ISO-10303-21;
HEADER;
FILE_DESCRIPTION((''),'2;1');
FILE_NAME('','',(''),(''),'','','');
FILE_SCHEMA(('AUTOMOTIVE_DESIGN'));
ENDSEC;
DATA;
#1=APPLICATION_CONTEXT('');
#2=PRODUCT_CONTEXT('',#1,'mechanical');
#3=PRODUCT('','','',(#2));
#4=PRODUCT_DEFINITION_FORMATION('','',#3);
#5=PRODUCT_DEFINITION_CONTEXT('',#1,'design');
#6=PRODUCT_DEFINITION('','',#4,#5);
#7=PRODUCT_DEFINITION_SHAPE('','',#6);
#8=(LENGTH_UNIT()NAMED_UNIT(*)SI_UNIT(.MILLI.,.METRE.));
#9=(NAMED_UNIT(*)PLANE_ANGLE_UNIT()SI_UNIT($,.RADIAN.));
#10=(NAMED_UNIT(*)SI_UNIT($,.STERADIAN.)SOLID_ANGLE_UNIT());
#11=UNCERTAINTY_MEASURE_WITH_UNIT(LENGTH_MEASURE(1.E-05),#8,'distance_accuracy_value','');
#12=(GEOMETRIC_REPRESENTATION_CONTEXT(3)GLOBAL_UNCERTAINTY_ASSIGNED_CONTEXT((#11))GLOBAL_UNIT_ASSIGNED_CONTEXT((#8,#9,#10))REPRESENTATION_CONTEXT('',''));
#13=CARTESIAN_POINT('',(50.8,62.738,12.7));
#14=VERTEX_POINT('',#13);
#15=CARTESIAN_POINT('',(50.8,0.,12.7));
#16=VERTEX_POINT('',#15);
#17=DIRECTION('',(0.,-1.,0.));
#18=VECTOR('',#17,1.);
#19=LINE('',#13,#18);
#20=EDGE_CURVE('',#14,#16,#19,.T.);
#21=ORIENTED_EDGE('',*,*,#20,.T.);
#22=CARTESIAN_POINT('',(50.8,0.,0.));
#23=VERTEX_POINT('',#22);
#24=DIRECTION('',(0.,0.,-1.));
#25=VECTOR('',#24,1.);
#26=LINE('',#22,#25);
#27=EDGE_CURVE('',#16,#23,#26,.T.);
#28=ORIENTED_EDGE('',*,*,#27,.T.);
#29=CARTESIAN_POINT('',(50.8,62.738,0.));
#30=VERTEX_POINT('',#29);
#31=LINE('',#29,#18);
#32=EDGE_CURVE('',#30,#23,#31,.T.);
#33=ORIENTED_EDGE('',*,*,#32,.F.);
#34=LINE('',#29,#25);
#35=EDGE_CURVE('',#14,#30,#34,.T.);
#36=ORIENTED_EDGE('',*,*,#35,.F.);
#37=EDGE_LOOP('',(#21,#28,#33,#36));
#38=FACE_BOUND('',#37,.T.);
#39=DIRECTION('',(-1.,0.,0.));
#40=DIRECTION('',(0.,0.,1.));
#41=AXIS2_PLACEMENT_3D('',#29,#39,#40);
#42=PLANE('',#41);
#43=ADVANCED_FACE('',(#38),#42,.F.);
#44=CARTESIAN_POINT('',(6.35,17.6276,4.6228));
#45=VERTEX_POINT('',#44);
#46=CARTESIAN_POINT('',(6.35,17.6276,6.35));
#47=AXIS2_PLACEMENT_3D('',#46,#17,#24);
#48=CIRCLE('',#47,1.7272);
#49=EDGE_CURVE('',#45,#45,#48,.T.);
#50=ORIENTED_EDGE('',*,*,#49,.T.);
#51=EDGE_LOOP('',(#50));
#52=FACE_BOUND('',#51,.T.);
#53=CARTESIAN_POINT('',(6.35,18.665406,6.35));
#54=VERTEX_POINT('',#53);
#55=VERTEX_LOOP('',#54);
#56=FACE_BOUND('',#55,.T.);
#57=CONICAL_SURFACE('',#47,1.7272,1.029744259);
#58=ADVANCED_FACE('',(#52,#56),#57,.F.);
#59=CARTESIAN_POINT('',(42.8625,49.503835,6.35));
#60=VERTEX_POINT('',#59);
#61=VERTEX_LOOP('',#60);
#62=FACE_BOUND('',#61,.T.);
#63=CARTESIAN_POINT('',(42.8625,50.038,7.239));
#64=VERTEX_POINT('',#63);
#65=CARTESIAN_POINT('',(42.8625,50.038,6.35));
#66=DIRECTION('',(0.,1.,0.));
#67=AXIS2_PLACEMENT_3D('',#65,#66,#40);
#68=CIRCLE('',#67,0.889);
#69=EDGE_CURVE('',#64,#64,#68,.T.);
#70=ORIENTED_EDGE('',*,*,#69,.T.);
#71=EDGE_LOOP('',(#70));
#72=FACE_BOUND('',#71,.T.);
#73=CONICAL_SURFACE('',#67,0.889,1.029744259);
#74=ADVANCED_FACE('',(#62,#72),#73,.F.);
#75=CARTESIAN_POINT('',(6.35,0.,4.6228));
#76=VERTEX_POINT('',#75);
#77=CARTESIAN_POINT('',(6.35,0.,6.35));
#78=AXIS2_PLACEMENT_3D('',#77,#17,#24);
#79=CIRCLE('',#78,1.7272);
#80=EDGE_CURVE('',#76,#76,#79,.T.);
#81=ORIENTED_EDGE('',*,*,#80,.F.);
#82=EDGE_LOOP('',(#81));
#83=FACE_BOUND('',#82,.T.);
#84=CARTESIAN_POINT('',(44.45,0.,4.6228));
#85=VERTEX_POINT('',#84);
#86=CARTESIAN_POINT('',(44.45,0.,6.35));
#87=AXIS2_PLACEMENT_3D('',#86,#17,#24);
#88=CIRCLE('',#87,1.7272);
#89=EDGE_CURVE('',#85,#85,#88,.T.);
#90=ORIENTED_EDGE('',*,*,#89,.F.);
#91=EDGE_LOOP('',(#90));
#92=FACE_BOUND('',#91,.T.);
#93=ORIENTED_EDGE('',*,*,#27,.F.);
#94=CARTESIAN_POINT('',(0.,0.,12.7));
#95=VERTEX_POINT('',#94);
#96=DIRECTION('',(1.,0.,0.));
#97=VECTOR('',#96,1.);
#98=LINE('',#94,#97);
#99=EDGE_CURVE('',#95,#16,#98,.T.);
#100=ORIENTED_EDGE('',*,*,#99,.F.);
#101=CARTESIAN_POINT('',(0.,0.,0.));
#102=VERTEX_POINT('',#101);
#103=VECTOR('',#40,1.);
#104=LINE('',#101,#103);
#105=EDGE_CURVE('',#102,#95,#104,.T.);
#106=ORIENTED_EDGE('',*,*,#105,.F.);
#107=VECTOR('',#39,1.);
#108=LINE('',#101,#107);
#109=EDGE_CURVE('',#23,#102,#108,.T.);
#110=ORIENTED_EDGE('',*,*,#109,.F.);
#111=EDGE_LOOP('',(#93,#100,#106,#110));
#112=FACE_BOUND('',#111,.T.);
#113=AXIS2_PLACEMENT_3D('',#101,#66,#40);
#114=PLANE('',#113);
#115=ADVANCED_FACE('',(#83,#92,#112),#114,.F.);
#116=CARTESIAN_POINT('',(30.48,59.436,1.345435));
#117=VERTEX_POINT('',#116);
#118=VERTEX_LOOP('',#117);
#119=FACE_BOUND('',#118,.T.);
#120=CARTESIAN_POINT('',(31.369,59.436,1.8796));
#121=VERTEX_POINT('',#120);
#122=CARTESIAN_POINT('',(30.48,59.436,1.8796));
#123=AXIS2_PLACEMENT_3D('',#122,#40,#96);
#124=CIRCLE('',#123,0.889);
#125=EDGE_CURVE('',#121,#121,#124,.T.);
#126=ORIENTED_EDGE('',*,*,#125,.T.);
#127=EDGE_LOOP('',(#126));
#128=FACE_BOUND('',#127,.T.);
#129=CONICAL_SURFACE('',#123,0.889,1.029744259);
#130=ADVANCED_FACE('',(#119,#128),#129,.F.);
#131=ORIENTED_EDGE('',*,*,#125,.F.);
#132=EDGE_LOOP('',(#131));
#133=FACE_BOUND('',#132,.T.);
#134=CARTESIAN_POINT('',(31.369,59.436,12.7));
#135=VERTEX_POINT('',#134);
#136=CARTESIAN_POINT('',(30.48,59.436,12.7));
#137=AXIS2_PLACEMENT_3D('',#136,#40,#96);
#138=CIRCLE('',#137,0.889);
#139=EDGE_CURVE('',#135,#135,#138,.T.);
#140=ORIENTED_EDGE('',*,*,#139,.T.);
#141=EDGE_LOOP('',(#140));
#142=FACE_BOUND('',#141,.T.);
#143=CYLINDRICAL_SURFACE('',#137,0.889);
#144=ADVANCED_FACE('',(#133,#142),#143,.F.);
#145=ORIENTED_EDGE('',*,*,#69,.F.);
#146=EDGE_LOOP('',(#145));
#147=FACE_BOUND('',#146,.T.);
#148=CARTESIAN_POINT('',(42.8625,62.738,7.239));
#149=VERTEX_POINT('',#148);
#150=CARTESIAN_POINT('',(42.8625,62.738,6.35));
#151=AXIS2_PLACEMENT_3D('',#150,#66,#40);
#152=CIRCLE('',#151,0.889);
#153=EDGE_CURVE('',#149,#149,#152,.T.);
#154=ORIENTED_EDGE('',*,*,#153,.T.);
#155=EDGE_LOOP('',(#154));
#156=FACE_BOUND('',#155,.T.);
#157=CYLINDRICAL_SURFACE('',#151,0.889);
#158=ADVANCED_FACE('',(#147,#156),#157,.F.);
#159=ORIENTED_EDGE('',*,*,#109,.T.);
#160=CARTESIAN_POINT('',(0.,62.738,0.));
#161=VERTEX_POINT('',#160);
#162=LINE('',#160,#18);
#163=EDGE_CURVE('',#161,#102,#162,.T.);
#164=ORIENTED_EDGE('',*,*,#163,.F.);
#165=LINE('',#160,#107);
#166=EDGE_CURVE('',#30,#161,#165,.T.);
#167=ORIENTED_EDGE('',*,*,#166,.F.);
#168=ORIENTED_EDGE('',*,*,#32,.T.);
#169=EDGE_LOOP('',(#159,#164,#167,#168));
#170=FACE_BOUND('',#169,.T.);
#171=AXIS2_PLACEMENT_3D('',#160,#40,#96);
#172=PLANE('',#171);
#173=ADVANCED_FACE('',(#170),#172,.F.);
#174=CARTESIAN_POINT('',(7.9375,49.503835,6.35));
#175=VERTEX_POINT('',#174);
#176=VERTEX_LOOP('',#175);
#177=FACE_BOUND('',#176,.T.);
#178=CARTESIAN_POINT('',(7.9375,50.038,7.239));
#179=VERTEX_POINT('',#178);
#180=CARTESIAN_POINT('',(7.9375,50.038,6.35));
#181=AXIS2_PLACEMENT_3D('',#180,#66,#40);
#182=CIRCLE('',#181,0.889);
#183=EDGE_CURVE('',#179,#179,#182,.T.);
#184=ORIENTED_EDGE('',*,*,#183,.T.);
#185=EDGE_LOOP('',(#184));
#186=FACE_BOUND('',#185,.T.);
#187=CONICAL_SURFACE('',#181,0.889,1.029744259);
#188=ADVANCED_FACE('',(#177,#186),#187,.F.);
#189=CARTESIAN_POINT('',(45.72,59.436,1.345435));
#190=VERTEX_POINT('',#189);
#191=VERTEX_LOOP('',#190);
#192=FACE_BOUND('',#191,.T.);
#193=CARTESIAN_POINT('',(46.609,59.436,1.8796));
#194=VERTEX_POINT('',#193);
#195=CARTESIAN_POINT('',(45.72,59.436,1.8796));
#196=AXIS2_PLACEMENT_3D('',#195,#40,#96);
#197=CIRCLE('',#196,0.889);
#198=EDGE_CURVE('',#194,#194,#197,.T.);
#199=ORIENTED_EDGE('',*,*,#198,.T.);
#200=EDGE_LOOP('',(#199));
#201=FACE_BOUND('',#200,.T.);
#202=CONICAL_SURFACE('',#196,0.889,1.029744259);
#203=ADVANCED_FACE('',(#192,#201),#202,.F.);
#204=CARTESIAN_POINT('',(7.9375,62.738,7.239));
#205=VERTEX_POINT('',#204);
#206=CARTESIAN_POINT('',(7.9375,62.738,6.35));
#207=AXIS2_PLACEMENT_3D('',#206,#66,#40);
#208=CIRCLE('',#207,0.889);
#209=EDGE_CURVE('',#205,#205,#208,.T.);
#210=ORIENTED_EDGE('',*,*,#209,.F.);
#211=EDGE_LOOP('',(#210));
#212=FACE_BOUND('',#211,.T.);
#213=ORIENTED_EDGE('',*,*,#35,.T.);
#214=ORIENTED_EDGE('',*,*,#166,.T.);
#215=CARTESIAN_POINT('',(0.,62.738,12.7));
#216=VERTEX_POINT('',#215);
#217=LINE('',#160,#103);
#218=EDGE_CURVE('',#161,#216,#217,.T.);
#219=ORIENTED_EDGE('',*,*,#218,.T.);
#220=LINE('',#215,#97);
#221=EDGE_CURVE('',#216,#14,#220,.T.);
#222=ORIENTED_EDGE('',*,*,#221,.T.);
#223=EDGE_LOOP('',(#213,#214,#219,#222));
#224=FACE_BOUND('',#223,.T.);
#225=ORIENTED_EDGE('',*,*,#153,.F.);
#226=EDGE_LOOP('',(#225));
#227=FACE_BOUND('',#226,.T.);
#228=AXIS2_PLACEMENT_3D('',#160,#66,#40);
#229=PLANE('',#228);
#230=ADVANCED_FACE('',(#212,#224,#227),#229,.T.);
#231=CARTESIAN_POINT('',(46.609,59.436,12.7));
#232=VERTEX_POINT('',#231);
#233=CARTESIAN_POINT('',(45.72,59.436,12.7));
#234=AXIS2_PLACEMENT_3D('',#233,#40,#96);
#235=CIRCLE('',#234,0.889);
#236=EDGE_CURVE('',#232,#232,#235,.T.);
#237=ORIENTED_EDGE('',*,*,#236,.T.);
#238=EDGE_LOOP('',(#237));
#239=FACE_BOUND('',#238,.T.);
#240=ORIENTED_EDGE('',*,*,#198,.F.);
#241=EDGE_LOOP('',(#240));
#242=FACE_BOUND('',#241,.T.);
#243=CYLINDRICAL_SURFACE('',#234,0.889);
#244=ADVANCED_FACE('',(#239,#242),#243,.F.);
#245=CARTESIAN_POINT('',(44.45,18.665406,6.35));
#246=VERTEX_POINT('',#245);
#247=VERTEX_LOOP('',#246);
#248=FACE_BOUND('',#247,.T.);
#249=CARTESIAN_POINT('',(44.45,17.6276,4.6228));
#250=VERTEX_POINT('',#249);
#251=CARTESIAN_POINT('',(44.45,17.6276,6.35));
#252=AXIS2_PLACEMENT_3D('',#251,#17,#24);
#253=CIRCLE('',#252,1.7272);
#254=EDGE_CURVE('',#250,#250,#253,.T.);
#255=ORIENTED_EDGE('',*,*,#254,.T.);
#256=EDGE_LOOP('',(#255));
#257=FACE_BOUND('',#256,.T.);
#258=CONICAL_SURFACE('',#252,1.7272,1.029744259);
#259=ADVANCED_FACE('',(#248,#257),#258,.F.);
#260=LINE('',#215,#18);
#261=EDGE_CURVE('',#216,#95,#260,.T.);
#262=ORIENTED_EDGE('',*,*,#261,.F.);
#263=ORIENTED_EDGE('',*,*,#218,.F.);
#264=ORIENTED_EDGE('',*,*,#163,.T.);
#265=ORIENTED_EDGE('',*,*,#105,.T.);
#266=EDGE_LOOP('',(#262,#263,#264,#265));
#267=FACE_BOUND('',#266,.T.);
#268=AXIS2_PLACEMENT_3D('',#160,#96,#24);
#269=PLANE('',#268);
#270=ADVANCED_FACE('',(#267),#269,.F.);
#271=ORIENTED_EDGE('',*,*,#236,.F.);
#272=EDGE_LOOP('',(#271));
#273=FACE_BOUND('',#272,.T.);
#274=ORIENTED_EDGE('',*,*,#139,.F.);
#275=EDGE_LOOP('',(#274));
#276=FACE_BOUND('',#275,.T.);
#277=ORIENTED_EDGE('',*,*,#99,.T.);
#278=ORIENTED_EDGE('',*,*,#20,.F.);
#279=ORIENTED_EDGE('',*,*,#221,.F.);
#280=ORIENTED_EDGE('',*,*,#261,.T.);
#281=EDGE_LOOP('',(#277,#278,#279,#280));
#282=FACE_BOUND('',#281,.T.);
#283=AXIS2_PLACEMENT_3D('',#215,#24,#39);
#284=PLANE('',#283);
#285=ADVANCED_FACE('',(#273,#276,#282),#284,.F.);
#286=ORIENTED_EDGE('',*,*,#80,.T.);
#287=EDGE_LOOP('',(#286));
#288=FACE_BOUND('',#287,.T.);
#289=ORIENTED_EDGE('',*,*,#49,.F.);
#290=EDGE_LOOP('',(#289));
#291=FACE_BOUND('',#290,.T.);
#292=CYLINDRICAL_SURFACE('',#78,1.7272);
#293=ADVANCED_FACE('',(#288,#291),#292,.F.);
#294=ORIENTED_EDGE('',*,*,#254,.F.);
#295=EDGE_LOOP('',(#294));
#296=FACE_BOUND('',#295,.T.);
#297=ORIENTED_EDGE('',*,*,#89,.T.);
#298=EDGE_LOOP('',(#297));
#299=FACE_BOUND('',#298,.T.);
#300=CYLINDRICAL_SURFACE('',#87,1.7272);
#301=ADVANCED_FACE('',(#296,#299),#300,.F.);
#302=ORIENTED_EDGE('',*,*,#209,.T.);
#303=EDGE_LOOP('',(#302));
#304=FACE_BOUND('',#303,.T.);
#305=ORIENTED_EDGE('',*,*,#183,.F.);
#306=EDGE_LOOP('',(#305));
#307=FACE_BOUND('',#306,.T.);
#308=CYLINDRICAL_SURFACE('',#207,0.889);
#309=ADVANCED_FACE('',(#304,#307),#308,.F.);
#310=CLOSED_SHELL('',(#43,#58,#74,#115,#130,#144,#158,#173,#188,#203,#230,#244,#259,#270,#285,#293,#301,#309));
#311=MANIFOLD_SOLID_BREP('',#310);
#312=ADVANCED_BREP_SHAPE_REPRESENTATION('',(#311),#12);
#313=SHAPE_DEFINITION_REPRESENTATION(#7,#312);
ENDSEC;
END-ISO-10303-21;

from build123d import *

# Parameters (mm, degrees)
SKETCH1_W                 = 50.8
SKETCH1_H                 = 12.7
BOSS_EXTRUDE1_DEPTH       = 62.738
F_8_32_TAPPED_HOLE1_D     = 3.4544
F_8_32_TAPPED_HOLE1_DEPTH = 17.6276
F_8_32_TAPPED_HOLE1_TIP   = 1.037806461
F_2_56_TAPPED_HOLE1_D     = 1.778
F_2_56_TAPPED_HOLE1_DEPTH = 12.7
F_2_56_TAPPED_HOLE1_TIP   = 0.53416509
F_2_56_TAPPED_HOLE2_D     = 1.778
F_2_56_TAPPED_HOLE2_DEPTH = 10.8204
F_2_56_TAPPED_HOLE2_TIP   = 0.53416509


with BuildPart() as part:
    # Sketch1 → Boss-Extrude1 (new body)
    with BuildSketch(Plane(origin=(0, 0, 0), x_dir=(1, 0, 0), z_dir=(0, 1, 0))):
        with Locations((25.4, -6.35)):
            Rectangle(SKETCH1_W, SKETCH1_H)
    extrude(amount=BOSS_EXTRUDE1_DEPTH)

    # #8-32 Tapped Hole1
    with Locations(Plane(origin=(0, 0, 0), x_dir=(-1, 0, 0), z_dir=(0, -1, 0))):
        with Locations((-6.35, -6.35), (-44.45, -6.35)):
            Hole(F_8_32_TAPPED_HOLE1_D / 2, depth=F_8_32_TAPPED_HOLE1_DEPTH)
            with Locations((0, 0, -(F_8_32_TAPPED_HOLE1_DEPTH + F_8_32_TAPPED_HOLE1_TIP / 2))):  # 118° drill point
                Cone(0, F_8_32_TAPPED_HOLE1_D / 2, F_8_32_TAPPED_HOLE1_TIP, mode=Mode.SUBTRACT)

    # #2-56 Tapped Hole1
    with Locations(Plane(origin=(0, 62.738, 0), x_dir=(1, 0, 0), z_dir=(0, 1, 0))):
        with Locations((7.9375, -6.35), (42.8625, -6.35)):
            Hole(F_2_56_TAPPED_HOLE1_D / 2, depth=F_2_56_TAPPED_HOLE1_DEPTH)
            with Locations((0, 0, -(F_2_56_TAPPED_HOLE1_DEPTH + F_2_56_TAPPED_HOLE1_TIP / 2))):  # 118° drill point
                Cone(0, F_2_56_TAPPED_HOLE1_D / 2, F_2_56_TAPPED_HOLE1_TIP, mode=Mode.SUBTRACT)

    # #2-56 Tapped Hole2
    with Locations(Plane.XY.offset(12.7)):
        with Locations((30.48, 59.436), (45.72, 59.436)):
            Hole(F_2_56_TAPPED_HOLE2_D / 2, depth=F_2_56_TAPPED_HOLE2_DEPTH)
            with Locations((0, 0, -(F_2_56_TAPPED_HOLE2_DEPTH + F_2_56_TAPPED_HOLE2_TIP / 2))):  # 118° drill point
                Cone(0, F_2_56_TAPPED_HOLE2_D / 2, F_2_56_TAPPED_HOLE2_TIP, mode=Mode.SUBTRACT)


solid = part.part
